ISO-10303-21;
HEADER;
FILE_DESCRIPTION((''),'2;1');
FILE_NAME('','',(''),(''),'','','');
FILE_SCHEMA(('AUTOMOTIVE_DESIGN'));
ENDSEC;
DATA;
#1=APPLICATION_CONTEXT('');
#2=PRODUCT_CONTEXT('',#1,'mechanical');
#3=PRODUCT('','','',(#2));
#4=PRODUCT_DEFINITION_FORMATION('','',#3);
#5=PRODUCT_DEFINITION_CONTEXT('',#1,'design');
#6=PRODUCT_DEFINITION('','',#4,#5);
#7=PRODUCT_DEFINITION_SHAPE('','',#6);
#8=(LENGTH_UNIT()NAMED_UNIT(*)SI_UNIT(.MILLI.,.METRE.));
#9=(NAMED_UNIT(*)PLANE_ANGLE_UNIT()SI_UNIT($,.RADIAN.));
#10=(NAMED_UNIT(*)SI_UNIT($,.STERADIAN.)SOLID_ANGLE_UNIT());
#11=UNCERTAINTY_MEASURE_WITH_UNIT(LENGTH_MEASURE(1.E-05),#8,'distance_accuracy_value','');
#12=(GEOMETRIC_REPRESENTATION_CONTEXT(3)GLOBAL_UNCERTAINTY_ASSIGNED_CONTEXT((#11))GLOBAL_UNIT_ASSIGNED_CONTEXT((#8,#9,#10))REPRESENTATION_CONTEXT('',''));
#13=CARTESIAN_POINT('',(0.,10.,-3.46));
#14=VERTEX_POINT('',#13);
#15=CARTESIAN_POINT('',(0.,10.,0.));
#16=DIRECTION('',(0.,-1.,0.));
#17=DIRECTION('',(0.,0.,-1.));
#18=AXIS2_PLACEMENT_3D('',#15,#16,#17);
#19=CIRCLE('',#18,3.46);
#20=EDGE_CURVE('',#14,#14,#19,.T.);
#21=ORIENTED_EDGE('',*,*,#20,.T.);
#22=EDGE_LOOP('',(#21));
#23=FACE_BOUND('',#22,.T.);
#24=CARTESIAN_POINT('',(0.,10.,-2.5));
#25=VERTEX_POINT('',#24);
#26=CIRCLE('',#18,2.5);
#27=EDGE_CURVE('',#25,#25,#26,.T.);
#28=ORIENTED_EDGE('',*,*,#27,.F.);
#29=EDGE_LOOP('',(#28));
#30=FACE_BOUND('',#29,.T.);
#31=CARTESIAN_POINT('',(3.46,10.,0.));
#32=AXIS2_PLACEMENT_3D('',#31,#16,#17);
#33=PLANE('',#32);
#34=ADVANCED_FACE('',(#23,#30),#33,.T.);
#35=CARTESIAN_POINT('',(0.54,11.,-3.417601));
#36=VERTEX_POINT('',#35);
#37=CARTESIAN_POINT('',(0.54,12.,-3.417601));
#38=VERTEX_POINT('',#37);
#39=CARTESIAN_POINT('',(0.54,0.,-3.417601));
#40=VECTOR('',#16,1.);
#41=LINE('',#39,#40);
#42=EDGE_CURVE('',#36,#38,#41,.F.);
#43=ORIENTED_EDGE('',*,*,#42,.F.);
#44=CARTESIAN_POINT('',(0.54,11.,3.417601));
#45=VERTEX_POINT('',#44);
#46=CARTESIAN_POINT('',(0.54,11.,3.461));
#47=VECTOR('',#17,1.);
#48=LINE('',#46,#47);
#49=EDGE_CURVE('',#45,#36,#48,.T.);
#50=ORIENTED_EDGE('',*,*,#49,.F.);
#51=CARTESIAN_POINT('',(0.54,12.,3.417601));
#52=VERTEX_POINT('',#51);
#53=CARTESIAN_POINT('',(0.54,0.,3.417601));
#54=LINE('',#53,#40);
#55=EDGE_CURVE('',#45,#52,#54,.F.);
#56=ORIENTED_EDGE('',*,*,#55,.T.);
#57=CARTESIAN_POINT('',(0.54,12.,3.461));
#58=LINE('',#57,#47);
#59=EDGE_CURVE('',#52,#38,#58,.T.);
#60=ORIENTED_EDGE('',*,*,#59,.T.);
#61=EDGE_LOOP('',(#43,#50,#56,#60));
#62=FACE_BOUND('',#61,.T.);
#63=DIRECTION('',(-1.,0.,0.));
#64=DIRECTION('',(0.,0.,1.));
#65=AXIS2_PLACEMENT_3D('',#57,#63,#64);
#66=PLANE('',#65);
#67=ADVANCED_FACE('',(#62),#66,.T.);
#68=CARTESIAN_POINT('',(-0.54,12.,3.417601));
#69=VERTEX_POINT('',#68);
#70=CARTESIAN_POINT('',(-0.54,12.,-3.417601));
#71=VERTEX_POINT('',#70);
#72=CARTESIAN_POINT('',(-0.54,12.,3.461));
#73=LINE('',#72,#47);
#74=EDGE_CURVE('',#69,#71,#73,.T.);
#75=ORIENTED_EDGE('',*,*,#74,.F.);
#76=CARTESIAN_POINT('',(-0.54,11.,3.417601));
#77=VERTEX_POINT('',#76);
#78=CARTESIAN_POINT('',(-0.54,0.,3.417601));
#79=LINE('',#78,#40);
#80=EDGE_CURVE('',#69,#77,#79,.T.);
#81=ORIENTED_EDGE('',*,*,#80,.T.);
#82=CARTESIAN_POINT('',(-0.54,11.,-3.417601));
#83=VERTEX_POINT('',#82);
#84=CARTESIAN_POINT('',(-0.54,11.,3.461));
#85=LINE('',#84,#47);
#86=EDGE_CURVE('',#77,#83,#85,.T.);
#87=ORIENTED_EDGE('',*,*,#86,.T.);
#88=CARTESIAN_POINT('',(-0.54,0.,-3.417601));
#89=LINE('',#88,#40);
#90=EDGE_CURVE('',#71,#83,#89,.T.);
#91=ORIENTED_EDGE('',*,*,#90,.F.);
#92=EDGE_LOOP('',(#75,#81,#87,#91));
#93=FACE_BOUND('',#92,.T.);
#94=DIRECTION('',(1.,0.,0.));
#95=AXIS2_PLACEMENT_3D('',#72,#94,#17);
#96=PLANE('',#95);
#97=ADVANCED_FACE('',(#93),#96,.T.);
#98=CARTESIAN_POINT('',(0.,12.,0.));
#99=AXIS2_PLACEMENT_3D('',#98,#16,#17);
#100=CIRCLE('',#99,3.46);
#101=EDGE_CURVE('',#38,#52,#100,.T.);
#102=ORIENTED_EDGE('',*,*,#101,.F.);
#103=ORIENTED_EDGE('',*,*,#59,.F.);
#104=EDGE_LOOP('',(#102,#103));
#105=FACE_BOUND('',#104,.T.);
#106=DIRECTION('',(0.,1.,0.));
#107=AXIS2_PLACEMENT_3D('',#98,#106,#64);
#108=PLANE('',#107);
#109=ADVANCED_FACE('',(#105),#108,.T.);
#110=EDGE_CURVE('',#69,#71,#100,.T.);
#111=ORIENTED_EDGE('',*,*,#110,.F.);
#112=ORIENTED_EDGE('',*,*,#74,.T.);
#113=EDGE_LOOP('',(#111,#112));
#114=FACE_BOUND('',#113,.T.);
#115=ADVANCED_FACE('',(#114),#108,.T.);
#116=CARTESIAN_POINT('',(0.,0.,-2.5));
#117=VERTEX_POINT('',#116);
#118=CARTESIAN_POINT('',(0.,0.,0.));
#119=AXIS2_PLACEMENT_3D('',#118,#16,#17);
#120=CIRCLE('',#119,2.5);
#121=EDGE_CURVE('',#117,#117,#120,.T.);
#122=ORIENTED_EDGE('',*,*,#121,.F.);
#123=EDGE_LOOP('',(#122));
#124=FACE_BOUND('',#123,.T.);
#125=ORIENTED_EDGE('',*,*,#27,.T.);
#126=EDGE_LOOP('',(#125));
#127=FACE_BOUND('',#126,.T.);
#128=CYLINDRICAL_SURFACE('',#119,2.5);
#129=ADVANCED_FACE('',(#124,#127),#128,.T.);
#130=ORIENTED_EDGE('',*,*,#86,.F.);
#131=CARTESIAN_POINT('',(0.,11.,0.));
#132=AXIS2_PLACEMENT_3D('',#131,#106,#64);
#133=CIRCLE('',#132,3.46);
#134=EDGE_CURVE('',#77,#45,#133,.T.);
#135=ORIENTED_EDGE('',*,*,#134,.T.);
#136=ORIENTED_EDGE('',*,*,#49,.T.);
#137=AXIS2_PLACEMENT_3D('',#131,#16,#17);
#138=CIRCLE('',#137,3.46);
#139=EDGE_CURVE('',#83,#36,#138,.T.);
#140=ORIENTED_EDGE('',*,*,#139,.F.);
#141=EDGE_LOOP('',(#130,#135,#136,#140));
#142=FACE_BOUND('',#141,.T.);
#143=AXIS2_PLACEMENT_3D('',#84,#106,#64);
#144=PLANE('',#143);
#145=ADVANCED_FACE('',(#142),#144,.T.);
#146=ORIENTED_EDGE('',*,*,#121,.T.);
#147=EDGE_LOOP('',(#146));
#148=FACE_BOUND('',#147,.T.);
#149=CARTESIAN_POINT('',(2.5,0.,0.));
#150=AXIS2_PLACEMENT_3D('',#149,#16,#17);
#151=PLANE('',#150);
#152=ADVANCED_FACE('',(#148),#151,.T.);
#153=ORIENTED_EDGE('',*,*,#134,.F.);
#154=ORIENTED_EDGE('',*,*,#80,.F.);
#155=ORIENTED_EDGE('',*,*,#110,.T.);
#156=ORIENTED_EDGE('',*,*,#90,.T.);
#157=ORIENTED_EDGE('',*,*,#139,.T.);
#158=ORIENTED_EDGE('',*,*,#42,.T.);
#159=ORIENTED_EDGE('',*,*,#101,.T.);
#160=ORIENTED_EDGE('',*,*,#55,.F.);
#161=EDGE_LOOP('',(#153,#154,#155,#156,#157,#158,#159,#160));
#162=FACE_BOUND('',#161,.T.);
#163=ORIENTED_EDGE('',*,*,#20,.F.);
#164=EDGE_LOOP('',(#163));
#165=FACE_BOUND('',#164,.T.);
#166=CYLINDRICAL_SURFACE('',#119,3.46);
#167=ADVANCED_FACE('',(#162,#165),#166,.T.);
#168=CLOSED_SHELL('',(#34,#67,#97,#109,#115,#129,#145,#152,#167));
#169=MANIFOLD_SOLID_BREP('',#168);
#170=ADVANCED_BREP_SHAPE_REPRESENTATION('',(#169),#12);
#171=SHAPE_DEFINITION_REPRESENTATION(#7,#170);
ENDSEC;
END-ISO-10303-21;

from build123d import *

# Parameters (mm, degrees)
CUT_EXTRUDE1_REACH                  = 14.959
CUT_EXTRUDE1_END_RADIUS             = 3.46
SKETCH2_W                           = 1.08
SKETCH2_H                           = 1
CUT_EXTRUDE1_DIRECTION_2_REACH      = 14.959
CUT_EXTRUDE1_DIRECTION_2_END_RADIUS = 3.46


with BuildPart() as part:
    # Sketch1 → Revolve1 (revolve)
    with BuildSketch(Plane.XY, mode=Mode.PRIVATE) as revolve1_sk:
        Polygon((0, 12), (3.46, 12), (3.46, 10), (2.5, 10), (2.5, 0), (0, 0), align=None)
    revolve(revolve1_sk.sketch.rotate(Axis((0, 0, 0), (0, 1, 0)), 90), axis=Axis((0, 0, 0), (0, 1, 0)))

    # Cut-Extrude1: up to this cylinder (the profile starts inside it)
    cut_extrude1_end = Plane(origin=(0, 11.5, 0), z_dir=(0, -1, 0)) * Cylinder(CUT_EXTRUDE1_END_RADIUS, 37.838, mode=Mode.PRIVATE)
    # Sketch2 → Cut-Extrude1 (cut, up to the surface)
    with BuildSketch(Plane.XY, mode=Mode.PRIVATE) as cut_extrude1_sk1:
        with Locations((0, 11.5)):
            Rectangle(SKETCH2_W, SKETCH2_H)
    cut_extrude1_tool1 = extrude(cut_extrude1_sk1.sketch, amount=-CUT_EXTRUDE1_REACH, mode=Mode.PRIVATE) & cut_extrude1_end
    add(cut_extrude1_tool1.solids().sort_by_distance((0, 11.5, 0))[0], mode=Mode.SUBTRACT)

    # Cut-Extrude1 direction 2: up to this cylinder (the profile starts inside it)
    cut_extrude1_direction_2_end = Plane(origin=(0, 11.5, 0), z_dir=(0, -1, 0)) * Cylinder(CUT_EXTRUDE1_DIRECTION_2_END_RADIUS, 37.838, mode=Mode.PRIVATE)
    # Sketch2 → Cut-Extrude1 direction 2 (cut, up to the surface)
    with BuildSketch(Plane.XY, mode=Mode.PRIVATE) as cut_extrude1_direction_2_sk1:
        with Locations((0, 11.5)):
            Rectangle(SKETCH2_W, SKETCH2_H)
    cut_extrude1_direction_2_tool1 = extrude(cut_extrude1_direction_2_sk1.sketch, amount=CUT_EXTRUDE1_DIRECTION_2_REACH, mode=Mode.PRIVATE) & cut_extrude1_direction_2_end
    add(cut_extrude1_direction_2_tool1.solids().sort_by_distance((0, 11.5, 0))[0], mode=Mode.SUBTRACT)


solid = part.part
